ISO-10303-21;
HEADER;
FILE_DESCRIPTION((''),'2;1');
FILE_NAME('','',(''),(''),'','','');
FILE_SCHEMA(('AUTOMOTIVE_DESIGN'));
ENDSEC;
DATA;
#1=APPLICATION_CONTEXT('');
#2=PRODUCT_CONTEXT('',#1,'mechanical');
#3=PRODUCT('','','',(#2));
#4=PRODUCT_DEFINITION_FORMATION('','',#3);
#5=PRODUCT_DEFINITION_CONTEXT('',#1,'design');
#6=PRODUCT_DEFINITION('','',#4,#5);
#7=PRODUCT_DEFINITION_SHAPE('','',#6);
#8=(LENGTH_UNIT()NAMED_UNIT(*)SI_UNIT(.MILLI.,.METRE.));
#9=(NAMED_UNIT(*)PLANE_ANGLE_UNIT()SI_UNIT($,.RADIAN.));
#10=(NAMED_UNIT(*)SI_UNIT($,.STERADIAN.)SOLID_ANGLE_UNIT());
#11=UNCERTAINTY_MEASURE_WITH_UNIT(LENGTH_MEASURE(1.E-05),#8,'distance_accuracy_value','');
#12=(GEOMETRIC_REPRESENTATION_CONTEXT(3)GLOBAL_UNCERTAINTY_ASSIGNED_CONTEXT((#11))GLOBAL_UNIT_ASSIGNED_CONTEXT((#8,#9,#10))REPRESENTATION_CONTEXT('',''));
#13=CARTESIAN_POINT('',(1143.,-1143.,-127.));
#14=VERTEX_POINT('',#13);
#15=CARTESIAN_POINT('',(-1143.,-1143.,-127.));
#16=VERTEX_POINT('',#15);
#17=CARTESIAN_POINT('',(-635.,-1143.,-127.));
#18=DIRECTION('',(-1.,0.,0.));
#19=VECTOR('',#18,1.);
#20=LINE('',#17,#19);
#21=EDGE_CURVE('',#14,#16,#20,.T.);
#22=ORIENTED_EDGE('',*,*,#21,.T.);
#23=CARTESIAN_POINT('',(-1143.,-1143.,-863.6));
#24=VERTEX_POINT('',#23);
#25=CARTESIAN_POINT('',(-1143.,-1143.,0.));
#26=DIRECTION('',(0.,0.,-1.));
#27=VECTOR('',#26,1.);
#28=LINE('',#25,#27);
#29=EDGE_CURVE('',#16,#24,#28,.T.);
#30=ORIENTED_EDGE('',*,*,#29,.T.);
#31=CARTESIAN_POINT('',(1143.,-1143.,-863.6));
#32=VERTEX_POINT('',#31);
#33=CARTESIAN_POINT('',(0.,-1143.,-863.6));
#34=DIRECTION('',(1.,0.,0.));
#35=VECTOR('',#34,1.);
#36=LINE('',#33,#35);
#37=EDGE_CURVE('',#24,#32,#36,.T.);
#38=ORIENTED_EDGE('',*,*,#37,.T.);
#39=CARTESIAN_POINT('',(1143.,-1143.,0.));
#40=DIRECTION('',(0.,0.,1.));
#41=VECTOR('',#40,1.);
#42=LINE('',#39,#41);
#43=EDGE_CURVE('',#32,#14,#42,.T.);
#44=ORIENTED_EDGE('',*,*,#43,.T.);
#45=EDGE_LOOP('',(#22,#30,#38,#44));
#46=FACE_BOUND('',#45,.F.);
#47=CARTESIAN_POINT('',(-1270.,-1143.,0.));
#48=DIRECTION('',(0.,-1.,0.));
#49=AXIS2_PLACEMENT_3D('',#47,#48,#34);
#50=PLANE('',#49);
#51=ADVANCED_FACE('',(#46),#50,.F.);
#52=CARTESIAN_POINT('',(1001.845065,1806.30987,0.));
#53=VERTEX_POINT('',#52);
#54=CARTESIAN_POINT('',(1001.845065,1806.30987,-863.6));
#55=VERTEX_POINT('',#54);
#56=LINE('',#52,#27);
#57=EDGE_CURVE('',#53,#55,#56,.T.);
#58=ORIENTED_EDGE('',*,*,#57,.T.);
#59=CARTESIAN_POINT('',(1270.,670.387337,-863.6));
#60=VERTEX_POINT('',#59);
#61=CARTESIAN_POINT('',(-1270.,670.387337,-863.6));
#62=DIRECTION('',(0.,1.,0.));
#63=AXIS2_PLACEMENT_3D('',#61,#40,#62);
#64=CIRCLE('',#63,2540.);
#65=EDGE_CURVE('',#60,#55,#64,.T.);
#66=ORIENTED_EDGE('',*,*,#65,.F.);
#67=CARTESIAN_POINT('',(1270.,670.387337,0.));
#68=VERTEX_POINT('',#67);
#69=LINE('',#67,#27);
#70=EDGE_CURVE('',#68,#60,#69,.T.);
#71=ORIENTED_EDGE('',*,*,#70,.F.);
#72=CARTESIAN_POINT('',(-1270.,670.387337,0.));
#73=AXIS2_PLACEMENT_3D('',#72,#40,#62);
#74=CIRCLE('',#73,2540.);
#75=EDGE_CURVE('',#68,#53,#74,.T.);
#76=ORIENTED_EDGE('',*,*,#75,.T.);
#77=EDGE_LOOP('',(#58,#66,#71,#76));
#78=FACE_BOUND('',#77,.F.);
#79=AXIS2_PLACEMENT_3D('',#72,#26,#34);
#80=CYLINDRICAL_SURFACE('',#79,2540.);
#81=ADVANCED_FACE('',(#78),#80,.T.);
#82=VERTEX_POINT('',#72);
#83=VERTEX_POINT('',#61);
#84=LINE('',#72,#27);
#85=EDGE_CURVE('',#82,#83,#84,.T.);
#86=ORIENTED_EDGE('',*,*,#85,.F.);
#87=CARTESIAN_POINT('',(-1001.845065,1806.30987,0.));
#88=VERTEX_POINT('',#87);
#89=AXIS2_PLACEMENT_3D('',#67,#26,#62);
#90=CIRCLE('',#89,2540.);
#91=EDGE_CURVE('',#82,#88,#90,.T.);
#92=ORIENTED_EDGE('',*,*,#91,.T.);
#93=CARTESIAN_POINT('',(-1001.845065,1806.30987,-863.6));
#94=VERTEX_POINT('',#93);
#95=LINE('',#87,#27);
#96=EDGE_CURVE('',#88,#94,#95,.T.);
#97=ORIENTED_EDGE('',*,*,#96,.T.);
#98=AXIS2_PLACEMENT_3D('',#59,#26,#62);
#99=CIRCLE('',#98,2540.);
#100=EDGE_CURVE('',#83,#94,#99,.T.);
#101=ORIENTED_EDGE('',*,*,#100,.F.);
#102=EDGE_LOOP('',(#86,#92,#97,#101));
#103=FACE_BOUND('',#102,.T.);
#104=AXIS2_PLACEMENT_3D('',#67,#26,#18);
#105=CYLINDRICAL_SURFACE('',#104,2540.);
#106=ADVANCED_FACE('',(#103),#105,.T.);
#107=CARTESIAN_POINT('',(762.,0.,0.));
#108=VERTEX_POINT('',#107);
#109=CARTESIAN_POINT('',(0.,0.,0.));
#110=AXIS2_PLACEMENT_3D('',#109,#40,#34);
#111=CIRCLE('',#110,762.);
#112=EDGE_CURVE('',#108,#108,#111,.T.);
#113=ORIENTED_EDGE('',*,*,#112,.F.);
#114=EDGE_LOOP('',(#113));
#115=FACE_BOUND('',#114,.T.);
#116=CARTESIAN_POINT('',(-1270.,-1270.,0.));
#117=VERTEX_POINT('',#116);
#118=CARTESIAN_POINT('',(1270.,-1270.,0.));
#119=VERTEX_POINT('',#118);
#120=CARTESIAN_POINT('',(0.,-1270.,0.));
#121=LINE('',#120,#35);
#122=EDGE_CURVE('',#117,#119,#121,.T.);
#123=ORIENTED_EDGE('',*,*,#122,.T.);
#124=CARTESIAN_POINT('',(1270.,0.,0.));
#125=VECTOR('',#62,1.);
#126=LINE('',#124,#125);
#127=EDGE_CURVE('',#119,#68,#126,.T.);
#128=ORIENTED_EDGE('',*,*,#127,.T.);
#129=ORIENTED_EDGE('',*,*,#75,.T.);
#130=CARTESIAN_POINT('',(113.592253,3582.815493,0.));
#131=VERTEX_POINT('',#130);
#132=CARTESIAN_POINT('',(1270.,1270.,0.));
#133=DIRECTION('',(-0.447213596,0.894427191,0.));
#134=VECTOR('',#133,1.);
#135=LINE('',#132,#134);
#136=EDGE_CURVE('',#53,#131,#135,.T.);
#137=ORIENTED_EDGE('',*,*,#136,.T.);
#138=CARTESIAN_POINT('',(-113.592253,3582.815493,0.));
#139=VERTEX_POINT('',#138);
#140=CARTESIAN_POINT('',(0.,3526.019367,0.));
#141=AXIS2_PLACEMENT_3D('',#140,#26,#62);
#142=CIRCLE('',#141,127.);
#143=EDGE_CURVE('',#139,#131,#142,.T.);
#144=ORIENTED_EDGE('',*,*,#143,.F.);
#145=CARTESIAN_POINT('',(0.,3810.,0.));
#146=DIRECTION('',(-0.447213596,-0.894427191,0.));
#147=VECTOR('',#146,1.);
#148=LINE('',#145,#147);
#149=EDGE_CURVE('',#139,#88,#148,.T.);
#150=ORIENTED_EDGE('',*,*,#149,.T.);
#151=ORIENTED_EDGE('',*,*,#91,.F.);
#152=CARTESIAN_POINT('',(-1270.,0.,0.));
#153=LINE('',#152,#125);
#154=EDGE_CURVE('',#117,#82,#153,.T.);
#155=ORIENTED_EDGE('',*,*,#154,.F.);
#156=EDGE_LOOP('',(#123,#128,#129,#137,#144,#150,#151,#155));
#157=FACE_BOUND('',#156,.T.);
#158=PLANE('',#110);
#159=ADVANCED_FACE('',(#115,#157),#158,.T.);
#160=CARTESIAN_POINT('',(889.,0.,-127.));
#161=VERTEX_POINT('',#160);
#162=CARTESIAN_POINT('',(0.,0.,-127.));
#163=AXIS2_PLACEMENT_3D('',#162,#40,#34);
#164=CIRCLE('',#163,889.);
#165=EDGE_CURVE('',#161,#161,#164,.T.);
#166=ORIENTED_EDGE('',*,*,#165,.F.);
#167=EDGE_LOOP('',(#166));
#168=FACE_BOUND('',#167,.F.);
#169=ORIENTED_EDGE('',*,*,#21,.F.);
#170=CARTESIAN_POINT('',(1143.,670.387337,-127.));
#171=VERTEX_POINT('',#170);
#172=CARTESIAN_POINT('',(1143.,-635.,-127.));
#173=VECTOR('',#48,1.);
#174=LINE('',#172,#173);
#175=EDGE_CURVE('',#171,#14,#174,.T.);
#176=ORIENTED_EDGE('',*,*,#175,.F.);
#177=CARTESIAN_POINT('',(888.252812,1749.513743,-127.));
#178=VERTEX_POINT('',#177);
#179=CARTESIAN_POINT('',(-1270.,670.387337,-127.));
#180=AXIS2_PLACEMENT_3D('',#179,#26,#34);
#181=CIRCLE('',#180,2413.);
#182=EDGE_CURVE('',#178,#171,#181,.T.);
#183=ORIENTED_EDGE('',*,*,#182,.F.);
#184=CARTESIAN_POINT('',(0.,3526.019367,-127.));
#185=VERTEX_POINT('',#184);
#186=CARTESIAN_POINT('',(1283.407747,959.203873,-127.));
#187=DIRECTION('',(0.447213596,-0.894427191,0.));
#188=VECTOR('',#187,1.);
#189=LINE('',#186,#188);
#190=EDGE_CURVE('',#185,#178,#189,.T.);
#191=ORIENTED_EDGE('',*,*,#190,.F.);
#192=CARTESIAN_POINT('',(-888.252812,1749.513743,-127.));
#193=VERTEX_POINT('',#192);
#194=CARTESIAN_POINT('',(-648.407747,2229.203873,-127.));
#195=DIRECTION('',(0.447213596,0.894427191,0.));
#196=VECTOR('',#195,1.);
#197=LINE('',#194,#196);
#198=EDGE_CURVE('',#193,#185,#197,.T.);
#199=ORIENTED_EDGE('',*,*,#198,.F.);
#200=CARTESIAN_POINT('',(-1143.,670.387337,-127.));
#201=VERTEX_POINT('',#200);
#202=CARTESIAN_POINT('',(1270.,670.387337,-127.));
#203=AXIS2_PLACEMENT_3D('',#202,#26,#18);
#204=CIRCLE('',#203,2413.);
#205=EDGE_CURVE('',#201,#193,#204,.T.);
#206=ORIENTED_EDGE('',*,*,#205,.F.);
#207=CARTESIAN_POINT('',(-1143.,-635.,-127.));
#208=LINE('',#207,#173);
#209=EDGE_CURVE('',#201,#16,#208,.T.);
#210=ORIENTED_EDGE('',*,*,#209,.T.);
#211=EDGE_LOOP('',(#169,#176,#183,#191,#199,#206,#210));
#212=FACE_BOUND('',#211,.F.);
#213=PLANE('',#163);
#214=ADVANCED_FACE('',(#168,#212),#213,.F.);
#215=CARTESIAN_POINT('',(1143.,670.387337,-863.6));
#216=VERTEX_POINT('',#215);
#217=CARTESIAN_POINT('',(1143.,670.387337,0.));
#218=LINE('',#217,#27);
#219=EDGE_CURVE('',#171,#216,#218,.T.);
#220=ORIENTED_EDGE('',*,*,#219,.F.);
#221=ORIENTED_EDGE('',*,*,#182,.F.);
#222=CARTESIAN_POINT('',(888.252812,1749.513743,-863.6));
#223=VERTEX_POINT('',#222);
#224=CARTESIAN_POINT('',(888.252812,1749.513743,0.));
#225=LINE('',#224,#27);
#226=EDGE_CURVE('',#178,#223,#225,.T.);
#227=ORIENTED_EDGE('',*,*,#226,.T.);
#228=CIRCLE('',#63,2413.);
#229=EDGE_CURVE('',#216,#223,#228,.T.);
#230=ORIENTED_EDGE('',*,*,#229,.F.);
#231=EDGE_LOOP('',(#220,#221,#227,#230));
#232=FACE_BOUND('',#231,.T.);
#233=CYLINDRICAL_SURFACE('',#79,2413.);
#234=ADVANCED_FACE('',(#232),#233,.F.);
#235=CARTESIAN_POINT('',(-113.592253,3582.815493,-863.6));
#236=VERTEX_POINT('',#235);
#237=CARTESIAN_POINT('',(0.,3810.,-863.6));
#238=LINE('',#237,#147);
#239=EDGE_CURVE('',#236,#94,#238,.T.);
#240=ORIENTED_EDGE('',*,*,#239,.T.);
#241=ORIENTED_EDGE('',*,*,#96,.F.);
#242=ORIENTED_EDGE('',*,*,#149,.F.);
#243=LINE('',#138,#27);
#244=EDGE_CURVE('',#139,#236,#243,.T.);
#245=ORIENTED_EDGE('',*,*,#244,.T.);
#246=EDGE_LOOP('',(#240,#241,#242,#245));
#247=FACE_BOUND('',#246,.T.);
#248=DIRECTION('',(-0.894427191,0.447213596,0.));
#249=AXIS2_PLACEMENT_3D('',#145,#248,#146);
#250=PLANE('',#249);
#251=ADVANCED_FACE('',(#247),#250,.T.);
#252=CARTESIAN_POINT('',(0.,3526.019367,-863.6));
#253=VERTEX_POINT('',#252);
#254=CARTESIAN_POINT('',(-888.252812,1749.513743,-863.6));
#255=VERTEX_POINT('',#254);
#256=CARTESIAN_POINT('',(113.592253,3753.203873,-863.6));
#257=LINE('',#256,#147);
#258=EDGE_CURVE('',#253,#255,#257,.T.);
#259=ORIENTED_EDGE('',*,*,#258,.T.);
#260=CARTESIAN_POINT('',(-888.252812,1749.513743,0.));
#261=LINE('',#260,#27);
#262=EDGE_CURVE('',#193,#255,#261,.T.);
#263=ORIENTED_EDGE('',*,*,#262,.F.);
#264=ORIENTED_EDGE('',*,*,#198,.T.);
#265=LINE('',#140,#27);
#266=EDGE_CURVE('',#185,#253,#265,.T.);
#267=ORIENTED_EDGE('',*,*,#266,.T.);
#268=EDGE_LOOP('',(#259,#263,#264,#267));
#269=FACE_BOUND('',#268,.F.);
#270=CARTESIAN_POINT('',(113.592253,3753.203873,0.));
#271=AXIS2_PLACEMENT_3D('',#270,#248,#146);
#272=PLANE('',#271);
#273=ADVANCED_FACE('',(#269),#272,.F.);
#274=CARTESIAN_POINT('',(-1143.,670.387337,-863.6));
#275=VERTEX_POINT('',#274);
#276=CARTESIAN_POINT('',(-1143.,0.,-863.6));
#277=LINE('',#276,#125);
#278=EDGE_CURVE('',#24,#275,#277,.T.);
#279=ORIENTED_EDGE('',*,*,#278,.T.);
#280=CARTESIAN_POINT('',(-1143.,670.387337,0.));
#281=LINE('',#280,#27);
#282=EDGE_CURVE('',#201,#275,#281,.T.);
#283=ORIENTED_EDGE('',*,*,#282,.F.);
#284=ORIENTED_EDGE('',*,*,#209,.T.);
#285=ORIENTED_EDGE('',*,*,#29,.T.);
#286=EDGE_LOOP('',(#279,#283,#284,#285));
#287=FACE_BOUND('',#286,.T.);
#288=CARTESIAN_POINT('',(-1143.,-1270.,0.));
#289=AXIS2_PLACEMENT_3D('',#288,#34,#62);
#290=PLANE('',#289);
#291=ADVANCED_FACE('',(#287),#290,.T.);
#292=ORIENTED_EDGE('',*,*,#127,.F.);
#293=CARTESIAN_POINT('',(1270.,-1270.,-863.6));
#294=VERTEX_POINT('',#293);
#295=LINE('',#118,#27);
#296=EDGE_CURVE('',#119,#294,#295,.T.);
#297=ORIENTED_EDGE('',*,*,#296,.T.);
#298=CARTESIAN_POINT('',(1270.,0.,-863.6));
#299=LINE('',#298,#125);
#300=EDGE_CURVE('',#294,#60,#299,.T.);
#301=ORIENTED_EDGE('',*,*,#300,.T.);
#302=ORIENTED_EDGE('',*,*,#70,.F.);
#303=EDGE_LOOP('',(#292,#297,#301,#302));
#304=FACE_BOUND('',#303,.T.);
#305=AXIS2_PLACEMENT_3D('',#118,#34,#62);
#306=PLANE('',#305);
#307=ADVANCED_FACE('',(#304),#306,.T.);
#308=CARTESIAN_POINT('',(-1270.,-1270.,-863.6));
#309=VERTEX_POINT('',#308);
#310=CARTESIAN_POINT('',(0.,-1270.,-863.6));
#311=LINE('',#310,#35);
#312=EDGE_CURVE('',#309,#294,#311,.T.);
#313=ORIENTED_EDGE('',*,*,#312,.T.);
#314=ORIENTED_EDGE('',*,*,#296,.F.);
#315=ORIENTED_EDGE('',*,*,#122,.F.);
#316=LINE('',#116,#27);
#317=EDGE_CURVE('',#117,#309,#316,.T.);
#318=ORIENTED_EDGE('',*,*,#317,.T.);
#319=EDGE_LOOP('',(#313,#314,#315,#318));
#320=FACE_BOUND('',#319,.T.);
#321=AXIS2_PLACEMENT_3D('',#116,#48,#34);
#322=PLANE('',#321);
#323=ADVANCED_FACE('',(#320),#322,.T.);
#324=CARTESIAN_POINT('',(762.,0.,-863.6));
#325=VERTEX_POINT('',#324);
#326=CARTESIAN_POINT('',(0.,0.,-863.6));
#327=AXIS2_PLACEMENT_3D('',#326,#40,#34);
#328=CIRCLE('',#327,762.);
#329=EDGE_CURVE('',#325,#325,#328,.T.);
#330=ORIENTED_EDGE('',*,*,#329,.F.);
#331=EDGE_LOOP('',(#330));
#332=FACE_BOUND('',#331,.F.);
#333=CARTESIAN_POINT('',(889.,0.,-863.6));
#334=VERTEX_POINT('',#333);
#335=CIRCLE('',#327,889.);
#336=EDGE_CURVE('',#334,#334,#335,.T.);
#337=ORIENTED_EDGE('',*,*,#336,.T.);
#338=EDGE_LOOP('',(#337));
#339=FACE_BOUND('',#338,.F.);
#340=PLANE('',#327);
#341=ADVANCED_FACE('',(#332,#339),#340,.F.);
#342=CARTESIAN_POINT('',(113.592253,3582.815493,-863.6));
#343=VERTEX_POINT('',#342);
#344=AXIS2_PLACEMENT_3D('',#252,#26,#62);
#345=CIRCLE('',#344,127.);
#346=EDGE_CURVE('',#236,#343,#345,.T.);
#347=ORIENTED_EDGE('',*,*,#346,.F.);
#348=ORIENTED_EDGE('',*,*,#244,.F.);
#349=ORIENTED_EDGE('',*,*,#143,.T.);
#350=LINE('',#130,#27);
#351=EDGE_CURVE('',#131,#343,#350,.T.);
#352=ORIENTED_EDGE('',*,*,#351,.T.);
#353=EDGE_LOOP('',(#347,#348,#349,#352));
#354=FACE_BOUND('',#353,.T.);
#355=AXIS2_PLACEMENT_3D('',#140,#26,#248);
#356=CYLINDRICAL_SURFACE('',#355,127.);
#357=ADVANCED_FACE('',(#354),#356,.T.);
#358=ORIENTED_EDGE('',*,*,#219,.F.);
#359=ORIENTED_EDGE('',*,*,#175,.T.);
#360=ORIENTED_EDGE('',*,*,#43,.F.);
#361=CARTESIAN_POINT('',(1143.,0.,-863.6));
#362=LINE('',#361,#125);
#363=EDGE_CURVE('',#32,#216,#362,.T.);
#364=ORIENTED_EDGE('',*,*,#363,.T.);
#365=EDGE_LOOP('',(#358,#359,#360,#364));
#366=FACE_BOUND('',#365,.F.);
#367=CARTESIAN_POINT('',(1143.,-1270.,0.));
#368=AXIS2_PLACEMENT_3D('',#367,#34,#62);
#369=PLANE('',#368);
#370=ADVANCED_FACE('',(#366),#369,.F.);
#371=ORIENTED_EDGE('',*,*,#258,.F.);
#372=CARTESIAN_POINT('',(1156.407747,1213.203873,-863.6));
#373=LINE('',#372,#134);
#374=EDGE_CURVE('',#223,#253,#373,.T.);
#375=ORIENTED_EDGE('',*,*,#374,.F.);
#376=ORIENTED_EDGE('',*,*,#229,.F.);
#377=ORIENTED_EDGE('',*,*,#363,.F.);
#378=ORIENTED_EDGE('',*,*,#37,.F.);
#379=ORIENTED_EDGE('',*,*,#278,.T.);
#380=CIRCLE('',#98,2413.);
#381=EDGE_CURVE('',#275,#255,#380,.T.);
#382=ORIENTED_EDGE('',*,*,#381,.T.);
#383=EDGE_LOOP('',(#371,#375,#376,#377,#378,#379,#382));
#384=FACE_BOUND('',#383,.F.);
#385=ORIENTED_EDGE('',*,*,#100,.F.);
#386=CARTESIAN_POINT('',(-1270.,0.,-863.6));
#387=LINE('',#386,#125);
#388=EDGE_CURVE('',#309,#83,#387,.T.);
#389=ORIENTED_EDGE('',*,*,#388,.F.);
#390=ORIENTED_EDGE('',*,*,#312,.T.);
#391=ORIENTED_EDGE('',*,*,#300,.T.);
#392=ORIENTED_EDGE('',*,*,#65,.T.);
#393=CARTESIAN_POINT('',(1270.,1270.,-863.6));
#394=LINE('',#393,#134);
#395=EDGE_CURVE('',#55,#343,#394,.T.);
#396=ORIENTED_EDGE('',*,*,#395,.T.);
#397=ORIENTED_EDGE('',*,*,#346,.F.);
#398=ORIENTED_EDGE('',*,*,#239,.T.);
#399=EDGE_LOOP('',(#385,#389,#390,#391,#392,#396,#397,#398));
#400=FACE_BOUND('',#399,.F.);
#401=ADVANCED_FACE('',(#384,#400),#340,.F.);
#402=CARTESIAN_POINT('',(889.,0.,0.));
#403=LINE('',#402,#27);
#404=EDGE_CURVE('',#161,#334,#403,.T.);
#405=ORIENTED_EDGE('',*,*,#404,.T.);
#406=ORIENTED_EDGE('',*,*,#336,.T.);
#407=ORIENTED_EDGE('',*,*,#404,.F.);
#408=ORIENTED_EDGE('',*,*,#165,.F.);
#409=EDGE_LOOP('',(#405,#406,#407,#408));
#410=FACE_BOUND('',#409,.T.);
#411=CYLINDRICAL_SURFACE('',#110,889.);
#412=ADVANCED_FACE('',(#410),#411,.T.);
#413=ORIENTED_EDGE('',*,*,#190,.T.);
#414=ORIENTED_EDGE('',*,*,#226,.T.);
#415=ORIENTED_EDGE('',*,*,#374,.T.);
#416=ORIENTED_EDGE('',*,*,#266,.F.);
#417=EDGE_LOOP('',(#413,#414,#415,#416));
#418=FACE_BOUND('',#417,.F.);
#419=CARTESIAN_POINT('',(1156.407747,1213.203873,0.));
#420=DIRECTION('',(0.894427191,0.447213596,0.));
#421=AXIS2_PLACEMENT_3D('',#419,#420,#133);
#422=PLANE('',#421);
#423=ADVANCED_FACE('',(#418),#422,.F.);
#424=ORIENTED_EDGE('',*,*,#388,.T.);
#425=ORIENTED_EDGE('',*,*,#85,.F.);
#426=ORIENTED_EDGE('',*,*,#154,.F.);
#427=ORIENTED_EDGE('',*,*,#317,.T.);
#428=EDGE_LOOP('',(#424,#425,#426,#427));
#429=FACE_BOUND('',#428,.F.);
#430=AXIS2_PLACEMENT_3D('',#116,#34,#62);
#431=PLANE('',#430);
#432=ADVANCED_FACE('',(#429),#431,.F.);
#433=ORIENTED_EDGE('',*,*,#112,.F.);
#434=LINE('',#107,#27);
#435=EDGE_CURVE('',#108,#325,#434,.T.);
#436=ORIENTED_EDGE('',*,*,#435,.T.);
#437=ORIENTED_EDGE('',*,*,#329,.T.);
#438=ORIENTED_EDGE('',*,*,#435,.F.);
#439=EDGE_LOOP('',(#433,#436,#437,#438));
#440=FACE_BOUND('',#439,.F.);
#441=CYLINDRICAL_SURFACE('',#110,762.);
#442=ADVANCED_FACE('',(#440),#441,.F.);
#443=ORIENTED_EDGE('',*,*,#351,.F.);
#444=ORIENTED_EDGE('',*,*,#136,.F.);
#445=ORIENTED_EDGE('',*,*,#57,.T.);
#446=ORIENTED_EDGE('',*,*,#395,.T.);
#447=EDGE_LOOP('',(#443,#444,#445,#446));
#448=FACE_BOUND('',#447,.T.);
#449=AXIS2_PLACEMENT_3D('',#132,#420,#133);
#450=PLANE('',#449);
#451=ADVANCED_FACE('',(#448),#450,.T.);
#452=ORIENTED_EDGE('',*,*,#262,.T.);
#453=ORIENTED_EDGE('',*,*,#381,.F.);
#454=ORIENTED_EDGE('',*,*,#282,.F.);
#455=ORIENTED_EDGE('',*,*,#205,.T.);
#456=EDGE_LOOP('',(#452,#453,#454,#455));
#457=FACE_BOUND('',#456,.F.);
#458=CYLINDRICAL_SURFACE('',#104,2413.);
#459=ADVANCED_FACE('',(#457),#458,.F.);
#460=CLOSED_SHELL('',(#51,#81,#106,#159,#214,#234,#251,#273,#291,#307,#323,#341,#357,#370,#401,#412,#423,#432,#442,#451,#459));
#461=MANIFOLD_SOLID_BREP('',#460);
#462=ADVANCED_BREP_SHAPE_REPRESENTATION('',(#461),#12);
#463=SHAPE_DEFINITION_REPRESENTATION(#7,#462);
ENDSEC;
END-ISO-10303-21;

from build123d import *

# Parameters (mm, degrees)
F0_W     = 2540
F0_H     = 2540
F0_R     = 762
F1_DEPTH = 863.6
F2_R     = 2540
F3_T     = -127
F4_R     = 127


with BuildPart() as f1:
    # F0 (on Top) → F1 (new body)
    with BuildSketch(Plane.XY):
        Rectangle(F0_W, F0_H)
        Circle(F0_R, mode=Mode.SUBTRACT)
        Polygon((0, 3810), (-1270, 1270), (1270, 1270), align=None)
    extrude(amount=-F1_DEPTH)

    # F2
    f2_edges = [f1.edges().sort_by_distance(p)[0] for p in [
        (-1270, 1270, -431.8),
        (1270, 1270, -431.8),
    ]]
    fillet(f2_edges, radius=F2_R)

    # F3
    f3_openings = [f1.faces().sort_by_distance(p)[0] for p in [
        (0, 866.718284, -863.6),
    ]]
    offset(amount=F3_T, openings=f3_openings)

    # F4
    f4_edges = [f1.edges().sort_by_distance(p)[0] for p in [
        (0, 3810, -431.8),
    ]]
    fillet(f4_edges, radius=F4_R)


solid = f1.part
